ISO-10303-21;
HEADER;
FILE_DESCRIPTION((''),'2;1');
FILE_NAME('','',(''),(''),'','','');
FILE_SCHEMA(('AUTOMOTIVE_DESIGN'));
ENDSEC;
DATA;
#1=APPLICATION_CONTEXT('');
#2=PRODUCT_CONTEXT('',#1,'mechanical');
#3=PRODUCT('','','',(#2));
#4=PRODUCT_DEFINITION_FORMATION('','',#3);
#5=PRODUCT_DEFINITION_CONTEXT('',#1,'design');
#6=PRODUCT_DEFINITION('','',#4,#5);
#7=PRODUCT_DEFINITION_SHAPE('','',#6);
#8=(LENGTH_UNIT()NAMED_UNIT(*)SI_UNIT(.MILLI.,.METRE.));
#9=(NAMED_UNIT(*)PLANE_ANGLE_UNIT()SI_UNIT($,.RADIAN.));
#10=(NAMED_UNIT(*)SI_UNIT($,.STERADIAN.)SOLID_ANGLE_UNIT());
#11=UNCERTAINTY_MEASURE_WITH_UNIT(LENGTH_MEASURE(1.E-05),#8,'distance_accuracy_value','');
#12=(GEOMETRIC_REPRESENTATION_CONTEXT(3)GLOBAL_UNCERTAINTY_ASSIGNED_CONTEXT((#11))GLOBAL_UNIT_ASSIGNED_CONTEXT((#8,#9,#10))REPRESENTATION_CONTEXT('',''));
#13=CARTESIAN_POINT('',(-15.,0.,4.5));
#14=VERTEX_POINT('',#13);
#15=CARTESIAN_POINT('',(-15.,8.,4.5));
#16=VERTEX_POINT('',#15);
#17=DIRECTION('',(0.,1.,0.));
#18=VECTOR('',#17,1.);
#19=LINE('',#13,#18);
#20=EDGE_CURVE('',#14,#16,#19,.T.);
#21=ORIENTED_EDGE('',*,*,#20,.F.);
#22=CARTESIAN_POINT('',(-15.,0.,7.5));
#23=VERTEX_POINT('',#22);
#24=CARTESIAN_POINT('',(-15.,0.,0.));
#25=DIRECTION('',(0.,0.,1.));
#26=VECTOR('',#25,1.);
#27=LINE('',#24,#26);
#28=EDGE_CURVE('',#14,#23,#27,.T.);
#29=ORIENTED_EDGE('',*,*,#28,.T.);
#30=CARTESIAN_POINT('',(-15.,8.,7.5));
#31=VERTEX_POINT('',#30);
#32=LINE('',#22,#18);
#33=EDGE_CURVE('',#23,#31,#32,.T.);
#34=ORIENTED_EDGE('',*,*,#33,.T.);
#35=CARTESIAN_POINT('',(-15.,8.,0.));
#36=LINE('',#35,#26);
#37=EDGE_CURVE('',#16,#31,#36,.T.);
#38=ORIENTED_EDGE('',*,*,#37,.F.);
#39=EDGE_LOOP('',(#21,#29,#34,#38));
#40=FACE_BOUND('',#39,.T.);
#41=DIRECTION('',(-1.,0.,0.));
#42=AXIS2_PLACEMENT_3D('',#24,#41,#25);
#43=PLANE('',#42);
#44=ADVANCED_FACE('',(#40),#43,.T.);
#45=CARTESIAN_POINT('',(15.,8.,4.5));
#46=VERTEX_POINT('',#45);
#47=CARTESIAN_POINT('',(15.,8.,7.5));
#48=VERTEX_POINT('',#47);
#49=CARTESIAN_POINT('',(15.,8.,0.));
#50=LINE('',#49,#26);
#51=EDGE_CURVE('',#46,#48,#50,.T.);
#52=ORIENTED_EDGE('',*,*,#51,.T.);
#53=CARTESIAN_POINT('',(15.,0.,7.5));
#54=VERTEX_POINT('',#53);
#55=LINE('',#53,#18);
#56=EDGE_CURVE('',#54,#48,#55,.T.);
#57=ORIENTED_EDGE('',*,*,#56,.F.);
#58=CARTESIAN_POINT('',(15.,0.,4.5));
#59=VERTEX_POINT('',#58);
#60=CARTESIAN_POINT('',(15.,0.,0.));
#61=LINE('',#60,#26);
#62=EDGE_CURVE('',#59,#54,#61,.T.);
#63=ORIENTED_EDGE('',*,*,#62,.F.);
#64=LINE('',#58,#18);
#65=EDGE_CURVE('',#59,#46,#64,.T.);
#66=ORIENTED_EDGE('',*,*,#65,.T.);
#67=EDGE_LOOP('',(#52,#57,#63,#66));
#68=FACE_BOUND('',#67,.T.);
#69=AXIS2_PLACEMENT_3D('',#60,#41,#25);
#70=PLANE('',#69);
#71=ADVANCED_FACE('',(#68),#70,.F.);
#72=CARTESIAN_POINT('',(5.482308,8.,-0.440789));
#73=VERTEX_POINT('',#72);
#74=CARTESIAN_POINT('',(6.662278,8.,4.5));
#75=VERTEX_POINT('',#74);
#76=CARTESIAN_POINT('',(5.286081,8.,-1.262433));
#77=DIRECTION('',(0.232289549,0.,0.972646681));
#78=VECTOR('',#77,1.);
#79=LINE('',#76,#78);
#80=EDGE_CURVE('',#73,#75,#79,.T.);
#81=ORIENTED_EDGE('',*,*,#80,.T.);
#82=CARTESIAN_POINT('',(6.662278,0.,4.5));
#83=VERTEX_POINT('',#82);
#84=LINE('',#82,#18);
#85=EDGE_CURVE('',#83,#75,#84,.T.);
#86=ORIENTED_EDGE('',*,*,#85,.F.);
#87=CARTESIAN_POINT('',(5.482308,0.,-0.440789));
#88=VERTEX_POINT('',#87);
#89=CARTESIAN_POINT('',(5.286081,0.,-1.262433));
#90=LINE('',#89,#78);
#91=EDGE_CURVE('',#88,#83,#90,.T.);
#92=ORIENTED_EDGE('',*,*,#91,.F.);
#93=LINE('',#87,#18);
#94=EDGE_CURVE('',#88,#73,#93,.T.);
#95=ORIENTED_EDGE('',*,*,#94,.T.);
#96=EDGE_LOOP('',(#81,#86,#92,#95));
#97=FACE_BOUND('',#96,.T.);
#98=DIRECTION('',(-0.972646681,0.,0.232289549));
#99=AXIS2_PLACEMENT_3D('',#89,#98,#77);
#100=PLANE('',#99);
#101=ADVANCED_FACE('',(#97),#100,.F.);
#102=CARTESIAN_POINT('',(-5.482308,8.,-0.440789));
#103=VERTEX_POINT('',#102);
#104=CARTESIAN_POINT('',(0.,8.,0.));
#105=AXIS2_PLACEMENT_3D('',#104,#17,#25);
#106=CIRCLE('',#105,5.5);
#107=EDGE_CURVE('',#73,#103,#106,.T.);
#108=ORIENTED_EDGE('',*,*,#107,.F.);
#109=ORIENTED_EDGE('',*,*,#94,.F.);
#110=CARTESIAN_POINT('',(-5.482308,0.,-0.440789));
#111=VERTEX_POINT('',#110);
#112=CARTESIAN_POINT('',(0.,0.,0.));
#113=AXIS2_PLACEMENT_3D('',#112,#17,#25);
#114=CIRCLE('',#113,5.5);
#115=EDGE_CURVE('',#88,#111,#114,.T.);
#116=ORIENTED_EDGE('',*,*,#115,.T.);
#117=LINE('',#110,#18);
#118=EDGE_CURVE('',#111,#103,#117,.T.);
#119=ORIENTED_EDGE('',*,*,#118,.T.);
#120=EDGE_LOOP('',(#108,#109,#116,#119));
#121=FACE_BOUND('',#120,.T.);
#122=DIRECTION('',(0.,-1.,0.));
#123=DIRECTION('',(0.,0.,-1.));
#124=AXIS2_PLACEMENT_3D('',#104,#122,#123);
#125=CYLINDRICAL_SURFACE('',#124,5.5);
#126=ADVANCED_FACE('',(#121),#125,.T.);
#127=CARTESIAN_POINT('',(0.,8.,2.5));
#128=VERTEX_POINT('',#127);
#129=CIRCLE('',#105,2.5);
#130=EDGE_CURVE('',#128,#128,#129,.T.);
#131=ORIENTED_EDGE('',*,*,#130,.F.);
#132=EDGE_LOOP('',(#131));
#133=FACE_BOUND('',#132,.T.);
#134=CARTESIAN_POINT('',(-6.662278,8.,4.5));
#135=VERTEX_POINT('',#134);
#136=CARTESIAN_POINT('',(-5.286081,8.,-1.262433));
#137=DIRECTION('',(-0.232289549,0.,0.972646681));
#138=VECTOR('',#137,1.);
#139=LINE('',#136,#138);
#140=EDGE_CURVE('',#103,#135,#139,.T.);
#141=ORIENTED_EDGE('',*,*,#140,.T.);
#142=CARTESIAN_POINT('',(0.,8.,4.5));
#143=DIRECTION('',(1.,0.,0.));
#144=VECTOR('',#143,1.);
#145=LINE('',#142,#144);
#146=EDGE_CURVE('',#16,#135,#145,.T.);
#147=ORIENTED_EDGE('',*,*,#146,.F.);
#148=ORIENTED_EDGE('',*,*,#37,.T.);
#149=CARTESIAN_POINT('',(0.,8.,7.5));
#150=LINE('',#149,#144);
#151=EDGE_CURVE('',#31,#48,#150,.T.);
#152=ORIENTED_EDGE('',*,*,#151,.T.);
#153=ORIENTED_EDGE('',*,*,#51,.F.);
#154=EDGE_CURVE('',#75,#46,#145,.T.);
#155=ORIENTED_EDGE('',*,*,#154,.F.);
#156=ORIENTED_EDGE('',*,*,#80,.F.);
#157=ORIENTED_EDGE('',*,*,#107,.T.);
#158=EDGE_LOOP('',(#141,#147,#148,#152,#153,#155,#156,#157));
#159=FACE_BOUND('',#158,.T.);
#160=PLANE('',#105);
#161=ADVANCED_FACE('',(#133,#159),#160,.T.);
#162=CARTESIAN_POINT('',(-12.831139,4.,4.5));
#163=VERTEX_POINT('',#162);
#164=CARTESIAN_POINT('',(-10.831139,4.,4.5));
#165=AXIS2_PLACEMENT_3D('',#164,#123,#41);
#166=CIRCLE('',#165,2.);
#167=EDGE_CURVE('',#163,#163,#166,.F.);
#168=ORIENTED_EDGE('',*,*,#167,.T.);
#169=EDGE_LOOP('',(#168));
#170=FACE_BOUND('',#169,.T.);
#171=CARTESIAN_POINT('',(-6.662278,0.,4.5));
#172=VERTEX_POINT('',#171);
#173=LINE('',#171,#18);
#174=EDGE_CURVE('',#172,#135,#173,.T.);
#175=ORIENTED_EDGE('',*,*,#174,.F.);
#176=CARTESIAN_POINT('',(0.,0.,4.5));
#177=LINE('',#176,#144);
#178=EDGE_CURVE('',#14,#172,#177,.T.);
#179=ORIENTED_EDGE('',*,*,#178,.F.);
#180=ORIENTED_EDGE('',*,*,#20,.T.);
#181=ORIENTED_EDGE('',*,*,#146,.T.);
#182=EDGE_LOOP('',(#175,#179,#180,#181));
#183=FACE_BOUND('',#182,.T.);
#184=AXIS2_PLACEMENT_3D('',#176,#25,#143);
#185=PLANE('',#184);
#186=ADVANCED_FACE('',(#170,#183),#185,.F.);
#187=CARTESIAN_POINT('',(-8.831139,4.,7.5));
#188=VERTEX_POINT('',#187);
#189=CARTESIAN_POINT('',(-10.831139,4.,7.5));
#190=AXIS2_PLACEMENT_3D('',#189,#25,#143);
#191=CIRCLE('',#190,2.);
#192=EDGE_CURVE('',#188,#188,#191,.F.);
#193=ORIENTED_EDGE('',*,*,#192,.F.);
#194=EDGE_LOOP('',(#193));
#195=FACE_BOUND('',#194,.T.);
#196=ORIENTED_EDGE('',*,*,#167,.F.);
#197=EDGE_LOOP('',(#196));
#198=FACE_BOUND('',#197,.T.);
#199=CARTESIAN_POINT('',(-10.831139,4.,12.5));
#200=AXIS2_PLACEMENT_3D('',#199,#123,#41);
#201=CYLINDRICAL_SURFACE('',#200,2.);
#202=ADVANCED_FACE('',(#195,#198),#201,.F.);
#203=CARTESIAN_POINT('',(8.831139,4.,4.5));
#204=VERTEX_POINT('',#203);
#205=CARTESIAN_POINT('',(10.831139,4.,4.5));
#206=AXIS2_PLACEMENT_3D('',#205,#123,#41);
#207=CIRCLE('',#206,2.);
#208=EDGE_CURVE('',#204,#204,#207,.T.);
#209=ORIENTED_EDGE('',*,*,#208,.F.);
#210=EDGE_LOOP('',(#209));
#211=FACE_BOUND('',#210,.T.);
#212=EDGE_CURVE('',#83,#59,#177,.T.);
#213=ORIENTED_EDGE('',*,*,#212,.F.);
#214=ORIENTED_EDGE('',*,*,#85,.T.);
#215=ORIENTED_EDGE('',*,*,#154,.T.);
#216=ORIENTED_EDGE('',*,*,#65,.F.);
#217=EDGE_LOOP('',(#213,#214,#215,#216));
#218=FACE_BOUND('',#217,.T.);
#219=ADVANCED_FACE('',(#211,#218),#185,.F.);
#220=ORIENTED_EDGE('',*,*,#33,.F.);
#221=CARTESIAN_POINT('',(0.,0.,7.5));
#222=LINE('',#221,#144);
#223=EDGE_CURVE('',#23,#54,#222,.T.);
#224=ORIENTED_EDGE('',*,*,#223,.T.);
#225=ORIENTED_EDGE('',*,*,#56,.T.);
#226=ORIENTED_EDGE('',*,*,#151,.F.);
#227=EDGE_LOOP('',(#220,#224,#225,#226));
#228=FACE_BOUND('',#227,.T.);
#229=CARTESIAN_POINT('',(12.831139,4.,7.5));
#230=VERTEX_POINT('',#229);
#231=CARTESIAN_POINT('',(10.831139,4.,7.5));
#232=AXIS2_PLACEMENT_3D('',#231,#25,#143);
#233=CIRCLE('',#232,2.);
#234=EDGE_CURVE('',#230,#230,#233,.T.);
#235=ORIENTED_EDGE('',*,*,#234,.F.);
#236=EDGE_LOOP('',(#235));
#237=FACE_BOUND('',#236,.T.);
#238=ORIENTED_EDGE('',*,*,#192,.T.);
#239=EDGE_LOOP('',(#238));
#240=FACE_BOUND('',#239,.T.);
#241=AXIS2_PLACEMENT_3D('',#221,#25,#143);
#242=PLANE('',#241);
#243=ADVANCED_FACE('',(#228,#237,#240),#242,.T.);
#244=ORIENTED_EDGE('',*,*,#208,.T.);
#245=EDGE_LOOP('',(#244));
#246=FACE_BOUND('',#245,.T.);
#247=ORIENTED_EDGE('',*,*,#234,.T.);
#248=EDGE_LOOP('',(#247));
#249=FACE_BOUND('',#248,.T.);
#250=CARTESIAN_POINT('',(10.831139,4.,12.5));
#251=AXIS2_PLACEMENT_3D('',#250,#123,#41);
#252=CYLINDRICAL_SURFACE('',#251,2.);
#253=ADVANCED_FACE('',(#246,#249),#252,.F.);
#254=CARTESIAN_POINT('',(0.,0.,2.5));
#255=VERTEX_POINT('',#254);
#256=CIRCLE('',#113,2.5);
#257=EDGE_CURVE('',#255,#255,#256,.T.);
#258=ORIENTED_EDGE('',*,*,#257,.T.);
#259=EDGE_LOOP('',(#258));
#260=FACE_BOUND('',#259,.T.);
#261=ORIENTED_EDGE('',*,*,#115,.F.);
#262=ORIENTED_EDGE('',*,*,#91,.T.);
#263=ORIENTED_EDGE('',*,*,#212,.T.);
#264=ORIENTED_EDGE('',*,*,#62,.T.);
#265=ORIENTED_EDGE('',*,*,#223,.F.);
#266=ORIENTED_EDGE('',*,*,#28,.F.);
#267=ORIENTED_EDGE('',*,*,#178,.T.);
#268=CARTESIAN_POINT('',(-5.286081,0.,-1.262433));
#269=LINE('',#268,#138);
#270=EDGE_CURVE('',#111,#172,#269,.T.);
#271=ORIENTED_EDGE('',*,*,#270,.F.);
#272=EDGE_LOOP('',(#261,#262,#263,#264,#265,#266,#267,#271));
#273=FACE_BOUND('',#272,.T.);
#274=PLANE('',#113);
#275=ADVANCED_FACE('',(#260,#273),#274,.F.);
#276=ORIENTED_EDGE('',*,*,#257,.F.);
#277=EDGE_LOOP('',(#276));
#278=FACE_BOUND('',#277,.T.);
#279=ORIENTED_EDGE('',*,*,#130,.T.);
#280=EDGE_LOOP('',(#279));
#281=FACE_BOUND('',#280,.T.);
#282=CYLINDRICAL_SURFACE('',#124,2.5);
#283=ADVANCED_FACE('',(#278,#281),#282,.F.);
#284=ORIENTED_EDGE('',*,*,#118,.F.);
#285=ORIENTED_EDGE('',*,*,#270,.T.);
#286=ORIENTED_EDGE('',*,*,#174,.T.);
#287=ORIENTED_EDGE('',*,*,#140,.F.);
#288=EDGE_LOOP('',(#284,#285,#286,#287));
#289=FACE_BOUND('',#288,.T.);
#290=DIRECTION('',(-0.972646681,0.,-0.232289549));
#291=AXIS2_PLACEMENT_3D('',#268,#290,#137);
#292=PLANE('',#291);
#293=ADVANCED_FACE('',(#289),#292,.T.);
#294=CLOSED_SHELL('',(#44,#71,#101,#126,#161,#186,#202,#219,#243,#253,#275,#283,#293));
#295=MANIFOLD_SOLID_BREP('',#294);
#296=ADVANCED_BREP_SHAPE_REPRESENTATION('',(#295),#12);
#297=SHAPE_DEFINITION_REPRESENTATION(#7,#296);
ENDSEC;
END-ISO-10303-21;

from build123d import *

# Parameters (mm, degrees)
SKETCH1_R           = 5.5
SKETCH1_R_2         = 2.5
BOSS_EXTRUDE1_DEPTH = 8
BOSS_EXTRUDE2_START = -8
BOSS_EXTRUDE2_DEPTH = 8
SKETCH3_R           = 2
CUT_EXTRUDE1_DEPTH  = 8


with BuildPart() as part:
    # Sketch1 → Boss-Extrude1 (new body)
    with BuildSketch(Plane(origin=(0, 0, 0), x_dir=(1, 0, 0), z_dir=(0, 1, 0))):
        with Locations(Location((0, 0, 0), (0, 0, 270))):
            Circle(SKETCH1_R)
        with Locations(Location((0, 0, 0), (0, 0, 270))):
            Circle(SKETCH1_R_2, mode=Mode.SUBTRACT)
    extrude(amount=BOSS_EXTRUDE1_DEPTH)

    # Sketch2 → Boss-Extrude2 (add)
    with BuildSketch(Plane(origin=(0, 8, 0), x_dir=(1, 0, 0), z_dir=(0, 1, 0)).offset(BOSS_EXTRUDE2_START)):
        with BuildLine():
            Line((15, -4.5), (6.662278045, -4.5))
            Line((6.662278045, -4.5), (3.16227766, -4.5))
            ThreePointArc((3.16227766, -4.5), (1.658312395, -5.244044241), (0, -5.5))
            Line((0, -5.5), (0, -7.5))
            Line((0, -7.5), (15, -7.5))
            Line((15, -7.5), (15, -4.5))
        make_face()
        with BuildLine():
            Line((6.662278045, -4.5), (5.4823084, 0.440788615))
            ThreePointArc((5.4823084, 0.440788615), (5.49557532, 0.220571755), (5.5, 0))
            ThreePointArc((5.5, 0), (4.880703184, -2.535495304), (3.16227766, -4.5))
            Line((3.16227766, -4.5), (6.662278045, -4.5))
        make_face()
        with BuildLine():
            ThreePointArc((-3.16227766, -4.5), (-4.978460111, -2.337720027), (-5.4823084, 0.440788615))
            Line((-5.4823084, 0.440788615), (-6.662278045, -4.5))
            Line((-6.662278045, -4.5), (-3.16227766, -4.5))
        make_face()
        with BuildLine():
            Line((-3.16227766, -4.5), (-6.662278045, -4.5))
            Line((-6.662278045, -4.5), (-15, -4.5))
            Line((-15, -4.5), (-15, -7.5))
            Line((-15, -7.5), (0, -7.5))
            Line((0, -7.5), (0, -5.5))
            ThreePointArc((0, -5.5), (-1.658312395, -5.244044241), (-3.16227766, -4.5))
        make_face()
    extrude(amount=BOSS_EXTRUDE2_DEPTH)

    # Sketch3 → Cut-Extrude1 (cut)
    with BuildSketch(Plane(origin=(0, 0, 4.5), x_dir=(-1, 0, 0), z_dir=(0, 0, -1))):
        with BuildLine():
            ThreePointArc((-8.831139022, 4), (-10.831139022, 6), (-12.831139022, 4))
            Line((-12.831139022, 4), (-8.831139022, 4))
        make_face()
        with BuildLine():
            Line((-8.831139022, 4), (-12.831139022, 4))
            ThreePointArc((-12.831139022, 4), (-10.831139022, 2), (-8.831139022, 4))
        make_face()
        with Locations((10.831139022, 4)):
            Circle(SKETCH3_R)
    extrude(amount=-CUT_EXTRUDE1_DEPTH, mode=Mode.SUBTRACT)


solid = part.part
